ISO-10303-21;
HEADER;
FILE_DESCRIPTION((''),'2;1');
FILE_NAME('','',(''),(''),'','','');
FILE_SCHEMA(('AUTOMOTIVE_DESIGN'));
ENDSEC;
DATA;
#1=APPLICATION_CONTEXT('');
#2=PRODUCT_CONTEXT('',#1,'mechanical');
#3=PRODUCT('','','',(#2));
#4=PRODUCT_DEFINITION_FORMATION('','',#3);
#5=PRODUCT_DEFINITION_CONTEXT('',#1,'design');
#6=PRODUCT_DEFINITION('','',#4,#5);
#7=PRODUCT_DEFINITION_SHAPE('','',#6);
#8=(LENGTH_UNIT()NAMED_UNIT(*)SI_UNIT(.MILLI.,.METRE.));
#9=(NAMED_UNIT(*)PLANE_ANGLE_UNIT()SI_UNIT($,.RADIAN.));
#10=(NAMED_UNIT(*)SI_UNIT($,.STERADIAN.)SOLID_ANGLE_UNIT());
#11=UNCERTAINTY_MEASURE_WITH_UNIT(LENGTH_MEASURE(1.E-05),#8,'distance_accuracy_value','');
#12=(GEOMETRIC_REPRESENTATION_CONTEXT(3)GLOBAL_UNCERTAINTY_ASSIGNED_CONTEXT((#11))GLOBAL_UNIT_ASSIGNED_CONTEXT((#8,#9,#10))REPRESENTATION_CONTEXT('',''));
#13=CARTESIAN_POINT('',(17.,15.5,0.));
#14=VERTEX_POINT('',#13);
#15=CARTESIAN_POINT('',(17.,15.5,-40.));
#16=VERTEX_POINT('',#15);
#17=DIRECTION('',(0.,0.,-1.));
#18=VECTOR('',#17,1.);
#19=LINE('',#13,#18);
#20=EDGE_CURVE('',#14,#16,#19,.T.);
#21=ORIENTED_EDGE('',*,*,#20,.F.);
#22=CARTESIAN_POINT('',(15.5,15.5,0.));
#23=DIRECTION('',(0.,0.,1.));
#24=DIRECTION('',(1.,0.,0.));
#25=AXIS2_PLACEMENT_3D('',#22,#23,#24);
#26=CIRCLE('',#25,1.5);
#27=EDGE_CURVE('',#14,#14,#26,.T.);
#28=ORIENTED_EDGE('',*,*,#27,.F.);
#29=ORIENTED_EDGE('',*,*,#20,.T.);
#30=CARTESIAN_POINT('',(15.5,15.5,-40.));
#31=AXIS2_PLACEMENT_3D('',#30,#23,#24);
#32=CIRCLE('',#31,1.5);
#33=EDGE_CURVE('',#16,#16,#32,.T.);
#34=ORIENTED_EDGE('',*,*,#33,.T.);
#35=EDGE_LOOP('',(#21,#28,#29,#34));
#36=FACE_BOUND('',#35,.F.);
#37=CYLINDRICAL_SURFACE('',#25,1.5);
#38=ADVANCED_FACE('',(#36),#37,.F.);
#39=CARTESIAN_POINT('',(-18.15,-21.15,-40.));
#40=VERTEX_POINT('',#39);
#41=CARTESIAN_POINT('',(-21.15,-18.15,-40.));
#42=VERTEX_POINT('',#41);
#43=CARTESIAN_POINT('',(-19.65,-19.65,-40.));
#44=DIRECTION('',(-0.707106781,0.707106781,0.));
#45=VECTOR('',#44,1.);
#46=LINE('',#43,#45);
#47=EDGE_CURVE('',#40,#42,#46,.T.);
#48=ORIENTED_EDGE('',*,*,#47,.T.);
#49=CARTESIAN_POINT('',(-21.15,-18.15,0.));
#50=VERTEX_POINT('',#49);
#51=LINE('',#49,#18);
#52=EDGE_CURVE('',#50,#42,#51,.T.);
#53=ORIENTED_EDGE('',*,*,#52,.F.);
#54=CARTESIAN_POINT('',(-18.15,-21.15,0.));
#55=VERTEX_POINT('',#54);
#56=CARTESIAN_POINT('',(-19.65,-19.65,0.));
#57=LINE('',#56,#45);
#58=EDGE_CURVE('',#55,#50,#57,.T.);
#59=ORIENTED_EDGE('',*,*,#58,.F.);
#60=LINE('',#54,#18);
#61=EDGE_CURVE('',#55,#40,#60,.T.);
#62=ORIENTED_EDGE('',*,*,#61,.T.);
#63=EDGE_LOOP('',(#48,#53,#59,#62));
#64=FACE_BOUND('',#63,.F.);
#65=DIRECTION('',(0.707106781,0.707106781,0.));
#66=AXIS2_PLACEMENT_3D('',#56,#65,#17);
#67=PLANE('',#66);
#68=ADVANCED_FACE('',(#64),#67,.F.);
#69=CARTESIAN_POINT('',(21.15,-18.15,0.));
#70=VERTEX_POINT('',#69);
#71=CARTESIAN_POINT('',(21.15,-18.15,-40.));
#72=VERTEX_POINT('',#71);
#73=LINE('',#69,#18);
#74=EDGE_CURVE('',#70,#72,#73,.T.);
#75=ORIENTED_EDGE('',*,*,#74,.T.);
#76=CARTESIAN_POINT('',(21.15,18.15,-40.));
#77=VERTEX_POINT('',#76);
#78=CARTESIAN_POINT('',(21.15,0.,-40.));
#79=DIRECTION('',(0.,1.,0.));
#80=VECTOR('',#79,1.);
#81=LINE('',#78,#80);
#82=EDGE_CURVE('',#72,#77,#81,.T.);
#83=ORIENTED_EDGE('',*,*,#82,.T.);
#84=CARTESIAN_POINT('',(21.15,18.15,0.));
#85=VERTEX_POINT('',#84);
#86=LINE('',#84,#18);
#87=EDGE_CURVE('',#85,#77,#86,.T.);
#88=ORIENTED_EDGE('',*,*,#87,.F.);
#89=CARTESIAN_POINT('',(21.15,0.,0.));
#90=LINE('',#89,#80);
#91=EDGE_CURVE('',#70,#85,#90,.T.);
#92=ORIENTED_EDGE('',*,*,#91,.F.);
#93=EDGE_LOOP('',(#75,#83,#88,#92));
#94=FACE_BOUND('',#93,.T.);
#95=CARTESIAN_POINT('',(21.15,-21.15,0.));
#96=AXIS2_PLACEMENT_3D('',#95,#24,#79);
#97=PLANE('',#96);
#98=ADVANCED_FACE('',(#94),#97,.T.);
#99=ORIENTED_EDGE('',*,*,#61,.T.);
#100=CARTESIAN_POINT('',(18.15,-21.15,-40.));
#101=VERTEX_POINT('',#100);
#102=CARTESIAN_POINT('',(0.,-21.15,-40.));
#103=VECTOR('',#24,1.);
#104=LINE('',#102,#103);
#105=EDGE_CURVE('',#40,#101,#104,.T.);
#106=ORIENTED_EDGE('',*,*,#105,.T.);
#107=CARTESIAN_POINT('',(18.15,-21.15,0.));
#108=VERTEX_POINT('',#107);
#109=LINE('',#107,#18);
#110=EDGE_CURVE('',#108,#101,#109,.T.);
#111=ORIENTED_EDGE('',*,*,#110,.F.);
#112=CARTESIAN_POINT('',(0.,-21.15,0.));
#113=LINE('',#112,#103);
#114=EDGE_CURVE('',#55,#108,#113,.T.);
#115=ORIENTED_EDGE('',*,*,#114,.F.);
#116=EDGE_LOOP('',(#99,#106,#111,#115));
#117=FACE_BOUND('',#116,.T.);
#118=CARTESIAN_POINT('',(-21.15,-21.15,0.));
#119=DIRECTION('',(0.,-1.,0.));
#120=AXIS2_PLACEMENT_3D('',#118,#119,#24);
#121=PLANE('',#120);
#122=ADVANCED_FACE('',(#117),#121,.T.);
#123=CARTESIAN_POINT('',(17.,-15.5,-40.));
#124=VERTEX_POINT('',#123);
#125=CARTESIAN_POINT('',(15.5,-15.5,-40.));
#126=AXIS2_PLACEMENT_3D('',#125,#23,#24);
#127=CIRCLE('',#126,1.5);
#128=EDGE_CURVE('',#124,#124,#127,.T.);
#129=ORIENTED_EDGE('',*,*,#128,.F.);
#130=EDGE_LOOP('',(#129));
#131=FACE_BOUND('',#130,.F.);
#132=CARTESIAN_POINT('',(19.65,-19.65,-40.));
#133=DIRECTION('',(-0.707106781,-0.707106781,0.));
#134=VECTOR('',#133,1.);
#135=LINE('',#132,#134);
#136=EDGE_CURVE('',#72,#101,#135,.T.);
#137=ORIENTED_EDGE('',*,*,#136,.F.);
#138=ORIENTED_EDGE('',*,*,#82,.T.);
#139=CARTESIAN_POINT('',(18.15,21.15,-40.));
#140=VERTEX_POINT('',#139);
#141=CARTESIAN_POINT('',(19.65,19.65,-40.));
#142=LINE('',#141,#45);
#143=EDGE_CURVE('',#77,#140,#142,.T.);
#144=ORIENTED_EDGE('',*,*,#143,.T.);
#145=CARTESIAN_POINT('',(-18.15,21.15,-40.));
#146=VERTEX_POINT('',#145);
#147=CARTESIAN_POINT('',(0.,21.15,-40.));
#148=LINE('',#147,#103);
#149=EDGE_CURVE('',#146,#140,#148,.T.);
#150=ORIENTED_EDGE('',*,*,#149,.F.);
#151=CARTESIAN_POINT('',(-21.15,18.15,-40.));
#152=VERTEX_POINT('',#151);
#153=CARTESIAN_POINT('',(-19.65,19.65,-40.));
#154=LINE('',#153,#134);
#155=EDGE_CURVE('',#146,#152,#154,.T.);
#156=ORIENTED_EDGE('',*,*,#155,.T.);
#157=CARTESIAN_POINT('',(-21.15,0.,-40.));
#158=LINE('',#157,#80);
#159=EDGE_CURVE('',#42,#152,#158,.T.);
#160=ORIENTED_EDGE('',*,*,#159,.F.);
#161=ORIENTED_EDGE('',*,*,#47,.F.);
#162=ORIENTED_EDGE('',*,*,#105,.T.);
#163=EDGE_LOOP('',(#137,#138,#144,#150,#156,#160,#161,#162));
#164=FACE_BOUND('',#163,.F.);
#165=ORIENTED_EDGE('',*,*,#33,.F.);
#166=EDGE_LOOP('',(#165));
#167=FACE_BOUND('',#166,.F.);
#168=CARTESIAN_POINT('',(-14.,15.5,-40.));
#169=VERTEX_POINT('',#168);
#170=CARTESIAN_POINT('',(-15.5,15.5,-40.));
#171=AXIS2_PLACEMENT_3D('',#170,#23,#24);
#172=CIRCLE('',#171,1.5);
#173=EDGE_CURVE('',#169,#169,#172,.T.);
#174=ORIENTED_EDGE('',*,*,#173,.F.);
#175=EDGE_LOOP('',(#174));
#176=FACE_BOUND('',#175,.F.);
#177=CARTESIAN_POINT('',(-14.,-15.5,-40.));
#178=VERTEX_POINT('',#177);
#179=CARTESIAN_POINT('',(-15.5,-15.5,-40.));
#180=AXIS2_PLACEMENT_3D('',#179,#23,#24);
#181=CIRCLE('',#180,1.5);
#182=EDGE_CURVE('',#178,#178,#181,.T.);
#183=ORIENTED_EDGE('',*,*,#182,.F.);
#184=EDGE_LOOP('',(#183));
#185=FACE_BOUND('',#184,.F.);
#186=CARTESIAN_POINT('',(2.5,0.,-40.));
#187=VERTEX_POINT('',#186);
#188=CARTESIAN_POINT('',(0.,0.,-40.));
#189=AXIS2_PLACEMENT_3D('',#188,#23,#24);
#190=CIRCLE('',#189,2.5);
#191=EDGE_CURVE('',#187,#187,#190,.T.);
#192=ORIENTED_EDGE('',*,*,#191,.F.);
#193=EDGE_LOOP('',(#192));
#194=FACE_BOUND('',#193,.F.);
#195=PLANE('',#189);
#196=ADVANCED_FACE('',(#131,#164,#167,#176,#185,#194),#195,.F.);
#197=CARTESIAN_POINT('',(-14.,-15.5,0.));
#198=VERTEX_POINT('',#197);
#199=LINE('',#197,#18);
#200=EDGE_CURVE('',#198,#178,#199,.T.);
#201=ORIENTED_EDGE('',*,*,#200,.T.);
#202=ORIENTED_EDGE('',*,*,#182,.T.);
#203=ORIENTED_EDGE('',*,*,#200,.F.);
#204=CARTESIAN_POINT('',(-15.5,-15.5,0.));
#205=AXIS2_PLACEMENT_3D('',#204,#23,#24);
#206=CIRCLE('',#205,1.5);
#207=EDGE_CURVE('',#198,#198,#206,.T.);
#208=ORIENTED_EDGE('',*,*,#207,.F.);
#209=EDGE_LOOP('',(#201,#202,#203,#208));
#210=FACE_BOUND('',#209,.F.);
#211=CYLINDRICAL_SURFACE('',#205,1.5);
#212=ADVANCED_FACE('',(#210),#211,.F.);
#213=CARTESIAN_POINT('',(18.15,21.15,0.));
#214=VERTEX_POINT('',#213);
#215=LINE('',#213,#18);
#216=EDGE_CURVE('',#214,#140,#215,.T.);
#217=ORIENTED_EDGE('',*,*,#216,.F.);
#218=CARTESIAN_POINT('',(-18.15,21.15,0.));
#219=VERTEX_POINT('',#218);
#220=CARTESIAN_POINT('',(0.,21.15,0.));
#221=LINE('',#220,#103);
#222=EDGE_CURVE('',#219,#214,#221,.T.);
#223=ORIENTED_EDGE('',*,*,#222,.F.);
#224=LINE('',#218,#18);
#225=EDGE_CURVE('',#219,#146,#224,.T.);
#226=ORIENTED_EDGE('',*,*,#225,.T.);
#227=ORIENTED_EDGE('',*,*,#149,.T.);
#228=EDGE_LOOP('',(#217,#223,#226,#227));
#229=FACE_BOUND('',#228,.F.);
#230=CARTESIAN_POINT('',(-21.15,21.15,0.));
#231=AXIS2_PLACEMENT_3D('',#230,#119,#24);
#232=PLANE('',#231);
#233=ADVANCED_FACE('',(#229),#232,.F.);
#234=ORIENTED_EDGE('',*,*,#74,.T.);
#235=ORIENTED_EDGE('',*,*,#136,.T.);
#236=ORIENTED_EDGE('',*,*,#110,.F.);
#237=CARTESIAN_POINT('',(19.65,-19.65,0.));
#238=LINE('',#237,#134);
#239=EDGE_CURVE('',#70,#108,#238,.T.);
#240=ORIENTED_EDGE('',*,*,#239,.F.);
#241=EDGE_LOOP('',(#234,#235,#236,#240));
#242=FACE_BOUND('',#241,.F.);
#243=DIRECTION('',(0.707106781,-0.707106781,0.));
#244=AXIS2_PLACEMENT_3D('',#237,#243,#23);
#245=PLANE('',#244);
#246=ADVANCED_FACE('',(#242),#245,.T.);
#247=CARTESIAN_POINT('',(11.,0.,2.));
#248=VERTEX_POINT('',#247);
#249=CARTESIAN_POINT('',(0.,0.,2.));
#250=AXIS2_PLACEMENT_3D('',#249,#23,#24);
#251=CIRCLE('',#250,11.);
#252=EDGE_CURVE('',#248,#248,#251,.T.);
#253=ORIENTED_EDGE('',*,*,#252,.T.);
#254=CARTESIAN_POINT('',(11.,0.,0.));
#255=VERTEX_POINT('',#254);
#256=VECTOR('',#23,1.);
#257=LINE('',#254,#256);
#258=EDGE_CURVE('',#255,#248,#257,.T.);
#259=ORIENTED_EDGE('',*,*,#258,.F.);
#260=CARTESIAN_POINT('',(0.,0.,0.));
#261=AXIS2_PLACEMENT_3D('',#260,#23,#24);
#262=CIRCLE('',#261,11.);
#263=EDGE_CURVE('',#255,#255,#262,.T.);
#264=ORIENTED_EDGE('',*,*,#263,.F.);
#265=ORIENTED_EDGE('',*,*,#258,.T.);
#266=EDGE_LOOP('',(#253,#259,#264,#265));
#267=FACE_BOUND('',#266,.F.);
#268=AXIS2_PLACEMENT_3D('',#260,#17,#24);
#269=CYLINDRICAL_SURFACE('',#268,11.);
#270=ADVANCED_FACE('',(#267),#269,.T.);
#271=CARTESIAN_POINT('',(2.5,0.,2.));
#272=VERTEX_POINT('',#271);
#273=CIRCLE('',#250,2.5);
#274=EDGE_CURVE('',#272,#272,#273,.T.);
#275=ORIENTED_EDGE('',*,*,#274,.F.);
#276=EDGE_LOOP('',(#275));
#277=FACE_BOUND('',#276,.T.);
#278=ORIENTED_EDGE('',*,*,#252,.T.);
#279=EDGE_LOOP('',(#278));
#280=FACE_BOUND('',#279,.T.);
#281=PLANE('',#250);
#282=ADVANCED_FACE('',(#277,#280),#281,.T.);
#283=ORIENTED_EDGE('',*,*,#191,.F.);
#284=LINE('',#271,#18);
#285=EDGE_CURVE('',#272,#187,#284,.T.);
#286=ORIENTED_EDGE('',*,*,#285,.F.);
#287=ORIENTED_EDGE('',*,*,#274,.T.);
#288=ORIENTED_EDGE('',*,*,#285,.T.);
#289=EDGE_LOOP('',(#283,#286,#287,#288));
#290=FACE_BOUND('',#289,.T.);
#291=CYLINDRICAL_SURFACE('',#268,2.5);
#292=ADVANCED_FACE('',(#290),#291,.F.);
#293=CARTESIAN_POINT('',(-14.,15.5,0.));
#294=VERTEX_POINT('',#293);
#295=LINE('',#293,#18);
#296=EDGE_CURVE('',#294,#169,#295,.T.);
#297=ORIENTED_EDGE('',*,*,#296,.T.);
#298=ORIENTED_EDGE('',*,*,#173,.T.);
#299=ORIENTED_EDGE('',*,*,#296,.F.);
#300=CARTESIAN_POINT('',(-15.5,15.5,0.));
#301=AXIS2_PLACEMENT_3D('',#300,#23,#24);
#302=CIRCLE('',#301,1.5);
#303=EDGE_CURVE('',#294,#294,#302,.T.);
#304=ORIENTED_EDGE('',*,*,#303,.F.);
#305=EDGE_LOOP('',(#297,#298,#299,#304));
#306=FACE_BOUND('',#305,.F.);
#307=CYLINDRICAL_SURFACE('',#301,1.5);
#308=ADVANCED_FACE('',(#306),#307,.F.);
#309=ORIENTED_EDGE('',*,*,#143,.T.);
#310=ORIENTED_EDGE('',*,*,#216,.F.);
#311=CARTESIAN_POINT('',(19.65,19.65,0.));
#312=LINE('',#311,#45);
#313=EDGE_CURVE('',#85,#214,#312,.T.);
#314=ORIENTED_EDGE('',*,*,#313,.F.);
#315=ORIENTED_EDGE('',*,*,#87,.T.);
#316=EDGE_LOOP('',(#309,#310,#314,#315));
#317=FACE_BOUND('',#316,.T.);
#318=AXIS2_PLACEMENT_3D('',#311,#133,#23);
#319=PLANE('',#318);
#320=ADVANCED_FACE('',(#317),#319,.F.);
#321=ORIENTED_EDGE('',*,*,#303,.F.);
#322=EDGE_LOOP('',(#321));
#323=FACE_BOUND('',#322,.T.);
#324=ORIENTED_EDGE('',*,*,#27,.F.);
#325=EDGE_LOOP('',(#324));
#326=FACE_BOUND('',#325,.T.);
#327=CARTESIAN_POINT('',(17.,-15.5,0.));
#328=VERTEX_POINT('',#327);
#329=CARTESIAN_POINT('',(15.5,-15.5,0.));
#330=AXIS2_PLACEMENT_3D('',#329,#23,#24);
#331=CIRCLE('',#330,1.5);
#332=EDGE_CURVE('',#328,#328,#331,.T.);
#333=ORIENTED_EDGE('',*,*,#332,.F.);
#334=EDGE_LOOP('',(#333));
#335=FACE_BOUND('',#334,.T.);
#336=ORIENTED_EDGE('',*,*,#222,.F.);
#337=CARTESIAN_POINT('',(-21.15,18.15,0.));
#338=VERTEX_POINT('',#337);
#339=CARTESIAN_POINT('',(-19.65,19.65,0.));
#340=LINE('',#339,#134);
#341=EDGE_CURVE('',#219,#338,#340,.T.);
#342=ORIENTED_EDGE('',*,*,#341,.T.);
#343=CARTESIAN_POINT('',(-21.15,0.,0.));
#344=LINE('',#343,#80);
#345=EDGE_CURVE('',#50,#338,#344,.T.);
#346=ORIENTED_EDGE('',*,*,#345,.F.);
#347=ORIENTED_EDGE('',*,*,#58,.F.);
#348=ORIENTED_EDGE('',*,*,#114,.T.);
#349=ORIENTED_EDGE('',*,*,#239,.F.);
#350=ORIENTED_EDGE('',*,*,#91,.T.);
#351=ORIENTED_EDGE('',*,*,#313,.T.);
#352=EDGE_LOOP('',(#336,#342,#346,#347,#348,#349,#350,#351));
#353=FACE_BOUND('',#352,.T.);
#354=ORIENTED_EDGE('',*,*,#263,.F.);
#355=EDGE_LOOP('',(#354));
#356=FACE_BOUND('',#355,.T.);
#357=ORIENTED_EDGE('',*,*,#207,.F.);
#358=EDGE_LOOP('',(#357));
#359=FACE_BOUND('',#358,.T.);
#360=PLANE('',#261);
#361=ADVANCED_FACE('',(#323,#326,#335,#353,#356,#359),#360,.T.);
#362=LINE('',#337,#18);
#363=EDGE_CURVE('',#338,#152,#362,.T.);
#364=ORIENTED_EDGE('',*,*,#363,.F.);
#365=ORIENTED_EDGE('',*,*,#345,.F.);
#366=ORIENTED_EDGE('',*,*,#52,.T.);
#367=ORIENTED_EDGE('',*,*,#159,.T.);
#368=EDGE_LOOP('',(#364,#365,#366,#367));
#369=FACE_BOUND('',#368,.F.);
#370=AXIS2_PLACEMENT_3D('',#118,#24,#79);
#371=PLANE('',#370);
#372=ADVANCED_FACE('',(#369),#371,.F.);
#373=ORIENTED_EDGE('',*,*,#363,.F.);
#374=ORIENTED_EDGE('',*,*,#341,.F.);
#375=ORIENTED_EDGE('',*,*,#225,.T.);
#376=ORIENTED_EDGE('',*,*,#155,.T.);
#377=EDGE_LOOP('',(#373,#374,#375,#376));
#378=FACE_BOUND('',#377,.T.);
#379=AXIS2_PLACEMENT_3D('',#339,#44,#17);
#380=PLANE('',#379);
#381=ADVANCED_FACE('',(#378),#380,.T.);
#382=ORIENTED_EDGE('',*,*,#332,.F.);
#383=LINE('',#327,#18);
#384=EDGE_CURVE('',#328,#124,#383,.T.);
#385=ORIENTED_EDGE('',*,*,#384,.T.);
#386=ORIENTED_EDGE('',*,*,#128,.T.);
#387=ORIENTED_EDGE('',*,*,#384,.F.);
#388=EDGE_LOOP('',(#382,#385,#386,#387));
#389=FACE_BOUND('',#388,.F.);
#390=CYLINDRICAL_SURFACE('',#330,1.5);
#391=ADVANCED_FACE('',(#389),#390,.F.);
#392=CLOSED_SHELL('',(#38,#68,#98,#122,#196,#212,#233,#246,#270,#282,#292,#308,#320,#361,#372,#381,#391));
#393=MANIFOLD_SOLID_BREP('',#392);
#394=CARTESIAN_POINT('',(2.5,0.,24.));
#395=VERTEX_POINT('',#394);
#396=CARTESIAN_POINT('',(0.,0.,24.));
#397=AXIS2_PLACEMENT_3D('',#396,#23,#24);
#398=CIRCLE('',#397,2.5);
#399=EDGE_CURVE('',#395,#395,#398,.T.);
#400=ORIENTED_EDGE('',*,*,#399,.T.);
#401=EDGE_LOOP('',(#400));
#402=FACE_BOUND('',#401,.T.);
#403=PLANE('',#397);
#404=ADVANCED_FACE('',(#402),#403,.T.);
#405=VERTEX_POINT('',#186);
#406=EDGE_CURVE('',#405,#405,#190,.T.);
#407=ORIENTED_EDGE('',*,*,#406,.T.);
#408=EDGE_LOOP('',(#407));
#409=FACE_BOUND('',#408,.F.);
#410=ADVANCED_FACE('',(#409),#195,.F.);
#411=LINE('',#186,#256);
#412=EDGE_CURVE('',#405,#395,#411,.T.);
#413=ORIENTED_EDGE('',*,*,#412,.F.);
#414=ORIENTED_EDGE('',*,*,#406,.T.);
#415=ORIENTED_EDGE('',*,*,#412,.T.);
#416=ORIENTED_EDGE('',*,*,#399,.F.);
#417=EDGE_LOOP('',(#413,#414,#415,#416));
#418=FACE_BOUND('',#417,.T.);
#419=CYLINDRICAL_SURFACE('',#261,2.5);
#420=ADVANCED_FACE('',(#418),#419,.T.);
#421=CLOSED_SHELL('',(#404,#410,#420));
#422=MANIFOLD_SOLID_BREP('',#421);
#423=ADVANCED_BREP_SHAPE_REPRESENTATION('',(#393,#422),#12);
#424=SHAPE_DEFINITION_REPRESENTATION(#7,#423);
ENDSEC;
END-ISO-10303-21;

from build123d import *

# Parameters (mm, degrees)
F0_W          = 42.3
F0_H          = 42.3
F0_R          = 1.5
F0_R_2        = 11
F0_R_3        = 2.5
F1_DEPTH      = 40
F2_DEPTH      = 40
F3_DEPTH      = 2
F4_R          = 2.5
F5_DEPTH      = 24
F5_DEPTH_BACK = 40
F6_SIZE       = 3


with BuildPart() as f1:
    # F0 (on Top) → F1 (new body)
    with BuildSketch(Plane.XY):
        Rectangle(F0_W, F0_H)
        with Locations((-15.5, -15.5)):
            Circle(F0_R, mode=Mode.SUBTRACT)
        with Locations((15.5, -15.5)):
            Circle(F0_R, mode=Mode.SUBTRACT)
        with Locations((-15.5, 15.5)):
            Circle(F0_R, mode=Mode.SUBTRACT)
        Circle(F0_R_2, mode=Mode.SUBTRACT)
        with Locations((15.5, 15.5)):
            Circle(F0_R, mode=Mode.SUBTRACT)
        with Locations((-15.5, 15.5)):
            Circle(F0_R)
        with Locations((-15.5, -15.5)):
            Circle(F0_R)
        with Locations((15.5, -15.5)):
            Circle(F0_R)
        Circle(F0_R_2)
        Circle(F0_R_3, mode=Mode.SUBTRACT)
        with Locations((15.5, 15.5)):
            Circle(F0_R)
    extrude(amount=-F1_DEPTH)

    # F0 (on Top) → F2 (cut)
    with BuildSketch(Plane.XY):
        with Locations((-15.5, 15.5)):
            Circle(F0_R)
        with Locations((-15.5, -15.5)):
            Circle(F0_R)
        with Locations((15.5, -15.5)):
            Circle(F0_R)
        with Locations((15.5, 15.5)):
            Circle(F0_R)
    extrude(amount=-F2_DEPTH, mode=Mode.SUBTRACT)

    # F0 (on Top) → F3 (join)
    with BuildSketch(Plane.XY):
        Circle(F0_R_2)
        Circle(F0_R_3, mode=Mode.SUBTRACT)
    extrude(amount=F3_DEPTH)

    # F6
    f6_edges = [f1.edges().sort_by_distance(p)[0] for p in [
        (21.15, -21.15, -20),
        (21.15, 21.15, -20),
        (-21.15, -21.15, -20),
        (-21.15, 21.15, -20),
    ]]
    chamfer(f6_edges, length=F6_SIZE)


with BuildPart() as f5:
    # F4 (on Top) → F5 (new body, two sides)
    with BuildSketch(Plane.XY) as f5_sk:
        Circle(F4_R)
    extrude(amount=F5_DEPTH)
    extrude(f5_sk.sketch, amount=-F5_DEPTH_BACK)


solid = Compound([f1.part, f5.part])
